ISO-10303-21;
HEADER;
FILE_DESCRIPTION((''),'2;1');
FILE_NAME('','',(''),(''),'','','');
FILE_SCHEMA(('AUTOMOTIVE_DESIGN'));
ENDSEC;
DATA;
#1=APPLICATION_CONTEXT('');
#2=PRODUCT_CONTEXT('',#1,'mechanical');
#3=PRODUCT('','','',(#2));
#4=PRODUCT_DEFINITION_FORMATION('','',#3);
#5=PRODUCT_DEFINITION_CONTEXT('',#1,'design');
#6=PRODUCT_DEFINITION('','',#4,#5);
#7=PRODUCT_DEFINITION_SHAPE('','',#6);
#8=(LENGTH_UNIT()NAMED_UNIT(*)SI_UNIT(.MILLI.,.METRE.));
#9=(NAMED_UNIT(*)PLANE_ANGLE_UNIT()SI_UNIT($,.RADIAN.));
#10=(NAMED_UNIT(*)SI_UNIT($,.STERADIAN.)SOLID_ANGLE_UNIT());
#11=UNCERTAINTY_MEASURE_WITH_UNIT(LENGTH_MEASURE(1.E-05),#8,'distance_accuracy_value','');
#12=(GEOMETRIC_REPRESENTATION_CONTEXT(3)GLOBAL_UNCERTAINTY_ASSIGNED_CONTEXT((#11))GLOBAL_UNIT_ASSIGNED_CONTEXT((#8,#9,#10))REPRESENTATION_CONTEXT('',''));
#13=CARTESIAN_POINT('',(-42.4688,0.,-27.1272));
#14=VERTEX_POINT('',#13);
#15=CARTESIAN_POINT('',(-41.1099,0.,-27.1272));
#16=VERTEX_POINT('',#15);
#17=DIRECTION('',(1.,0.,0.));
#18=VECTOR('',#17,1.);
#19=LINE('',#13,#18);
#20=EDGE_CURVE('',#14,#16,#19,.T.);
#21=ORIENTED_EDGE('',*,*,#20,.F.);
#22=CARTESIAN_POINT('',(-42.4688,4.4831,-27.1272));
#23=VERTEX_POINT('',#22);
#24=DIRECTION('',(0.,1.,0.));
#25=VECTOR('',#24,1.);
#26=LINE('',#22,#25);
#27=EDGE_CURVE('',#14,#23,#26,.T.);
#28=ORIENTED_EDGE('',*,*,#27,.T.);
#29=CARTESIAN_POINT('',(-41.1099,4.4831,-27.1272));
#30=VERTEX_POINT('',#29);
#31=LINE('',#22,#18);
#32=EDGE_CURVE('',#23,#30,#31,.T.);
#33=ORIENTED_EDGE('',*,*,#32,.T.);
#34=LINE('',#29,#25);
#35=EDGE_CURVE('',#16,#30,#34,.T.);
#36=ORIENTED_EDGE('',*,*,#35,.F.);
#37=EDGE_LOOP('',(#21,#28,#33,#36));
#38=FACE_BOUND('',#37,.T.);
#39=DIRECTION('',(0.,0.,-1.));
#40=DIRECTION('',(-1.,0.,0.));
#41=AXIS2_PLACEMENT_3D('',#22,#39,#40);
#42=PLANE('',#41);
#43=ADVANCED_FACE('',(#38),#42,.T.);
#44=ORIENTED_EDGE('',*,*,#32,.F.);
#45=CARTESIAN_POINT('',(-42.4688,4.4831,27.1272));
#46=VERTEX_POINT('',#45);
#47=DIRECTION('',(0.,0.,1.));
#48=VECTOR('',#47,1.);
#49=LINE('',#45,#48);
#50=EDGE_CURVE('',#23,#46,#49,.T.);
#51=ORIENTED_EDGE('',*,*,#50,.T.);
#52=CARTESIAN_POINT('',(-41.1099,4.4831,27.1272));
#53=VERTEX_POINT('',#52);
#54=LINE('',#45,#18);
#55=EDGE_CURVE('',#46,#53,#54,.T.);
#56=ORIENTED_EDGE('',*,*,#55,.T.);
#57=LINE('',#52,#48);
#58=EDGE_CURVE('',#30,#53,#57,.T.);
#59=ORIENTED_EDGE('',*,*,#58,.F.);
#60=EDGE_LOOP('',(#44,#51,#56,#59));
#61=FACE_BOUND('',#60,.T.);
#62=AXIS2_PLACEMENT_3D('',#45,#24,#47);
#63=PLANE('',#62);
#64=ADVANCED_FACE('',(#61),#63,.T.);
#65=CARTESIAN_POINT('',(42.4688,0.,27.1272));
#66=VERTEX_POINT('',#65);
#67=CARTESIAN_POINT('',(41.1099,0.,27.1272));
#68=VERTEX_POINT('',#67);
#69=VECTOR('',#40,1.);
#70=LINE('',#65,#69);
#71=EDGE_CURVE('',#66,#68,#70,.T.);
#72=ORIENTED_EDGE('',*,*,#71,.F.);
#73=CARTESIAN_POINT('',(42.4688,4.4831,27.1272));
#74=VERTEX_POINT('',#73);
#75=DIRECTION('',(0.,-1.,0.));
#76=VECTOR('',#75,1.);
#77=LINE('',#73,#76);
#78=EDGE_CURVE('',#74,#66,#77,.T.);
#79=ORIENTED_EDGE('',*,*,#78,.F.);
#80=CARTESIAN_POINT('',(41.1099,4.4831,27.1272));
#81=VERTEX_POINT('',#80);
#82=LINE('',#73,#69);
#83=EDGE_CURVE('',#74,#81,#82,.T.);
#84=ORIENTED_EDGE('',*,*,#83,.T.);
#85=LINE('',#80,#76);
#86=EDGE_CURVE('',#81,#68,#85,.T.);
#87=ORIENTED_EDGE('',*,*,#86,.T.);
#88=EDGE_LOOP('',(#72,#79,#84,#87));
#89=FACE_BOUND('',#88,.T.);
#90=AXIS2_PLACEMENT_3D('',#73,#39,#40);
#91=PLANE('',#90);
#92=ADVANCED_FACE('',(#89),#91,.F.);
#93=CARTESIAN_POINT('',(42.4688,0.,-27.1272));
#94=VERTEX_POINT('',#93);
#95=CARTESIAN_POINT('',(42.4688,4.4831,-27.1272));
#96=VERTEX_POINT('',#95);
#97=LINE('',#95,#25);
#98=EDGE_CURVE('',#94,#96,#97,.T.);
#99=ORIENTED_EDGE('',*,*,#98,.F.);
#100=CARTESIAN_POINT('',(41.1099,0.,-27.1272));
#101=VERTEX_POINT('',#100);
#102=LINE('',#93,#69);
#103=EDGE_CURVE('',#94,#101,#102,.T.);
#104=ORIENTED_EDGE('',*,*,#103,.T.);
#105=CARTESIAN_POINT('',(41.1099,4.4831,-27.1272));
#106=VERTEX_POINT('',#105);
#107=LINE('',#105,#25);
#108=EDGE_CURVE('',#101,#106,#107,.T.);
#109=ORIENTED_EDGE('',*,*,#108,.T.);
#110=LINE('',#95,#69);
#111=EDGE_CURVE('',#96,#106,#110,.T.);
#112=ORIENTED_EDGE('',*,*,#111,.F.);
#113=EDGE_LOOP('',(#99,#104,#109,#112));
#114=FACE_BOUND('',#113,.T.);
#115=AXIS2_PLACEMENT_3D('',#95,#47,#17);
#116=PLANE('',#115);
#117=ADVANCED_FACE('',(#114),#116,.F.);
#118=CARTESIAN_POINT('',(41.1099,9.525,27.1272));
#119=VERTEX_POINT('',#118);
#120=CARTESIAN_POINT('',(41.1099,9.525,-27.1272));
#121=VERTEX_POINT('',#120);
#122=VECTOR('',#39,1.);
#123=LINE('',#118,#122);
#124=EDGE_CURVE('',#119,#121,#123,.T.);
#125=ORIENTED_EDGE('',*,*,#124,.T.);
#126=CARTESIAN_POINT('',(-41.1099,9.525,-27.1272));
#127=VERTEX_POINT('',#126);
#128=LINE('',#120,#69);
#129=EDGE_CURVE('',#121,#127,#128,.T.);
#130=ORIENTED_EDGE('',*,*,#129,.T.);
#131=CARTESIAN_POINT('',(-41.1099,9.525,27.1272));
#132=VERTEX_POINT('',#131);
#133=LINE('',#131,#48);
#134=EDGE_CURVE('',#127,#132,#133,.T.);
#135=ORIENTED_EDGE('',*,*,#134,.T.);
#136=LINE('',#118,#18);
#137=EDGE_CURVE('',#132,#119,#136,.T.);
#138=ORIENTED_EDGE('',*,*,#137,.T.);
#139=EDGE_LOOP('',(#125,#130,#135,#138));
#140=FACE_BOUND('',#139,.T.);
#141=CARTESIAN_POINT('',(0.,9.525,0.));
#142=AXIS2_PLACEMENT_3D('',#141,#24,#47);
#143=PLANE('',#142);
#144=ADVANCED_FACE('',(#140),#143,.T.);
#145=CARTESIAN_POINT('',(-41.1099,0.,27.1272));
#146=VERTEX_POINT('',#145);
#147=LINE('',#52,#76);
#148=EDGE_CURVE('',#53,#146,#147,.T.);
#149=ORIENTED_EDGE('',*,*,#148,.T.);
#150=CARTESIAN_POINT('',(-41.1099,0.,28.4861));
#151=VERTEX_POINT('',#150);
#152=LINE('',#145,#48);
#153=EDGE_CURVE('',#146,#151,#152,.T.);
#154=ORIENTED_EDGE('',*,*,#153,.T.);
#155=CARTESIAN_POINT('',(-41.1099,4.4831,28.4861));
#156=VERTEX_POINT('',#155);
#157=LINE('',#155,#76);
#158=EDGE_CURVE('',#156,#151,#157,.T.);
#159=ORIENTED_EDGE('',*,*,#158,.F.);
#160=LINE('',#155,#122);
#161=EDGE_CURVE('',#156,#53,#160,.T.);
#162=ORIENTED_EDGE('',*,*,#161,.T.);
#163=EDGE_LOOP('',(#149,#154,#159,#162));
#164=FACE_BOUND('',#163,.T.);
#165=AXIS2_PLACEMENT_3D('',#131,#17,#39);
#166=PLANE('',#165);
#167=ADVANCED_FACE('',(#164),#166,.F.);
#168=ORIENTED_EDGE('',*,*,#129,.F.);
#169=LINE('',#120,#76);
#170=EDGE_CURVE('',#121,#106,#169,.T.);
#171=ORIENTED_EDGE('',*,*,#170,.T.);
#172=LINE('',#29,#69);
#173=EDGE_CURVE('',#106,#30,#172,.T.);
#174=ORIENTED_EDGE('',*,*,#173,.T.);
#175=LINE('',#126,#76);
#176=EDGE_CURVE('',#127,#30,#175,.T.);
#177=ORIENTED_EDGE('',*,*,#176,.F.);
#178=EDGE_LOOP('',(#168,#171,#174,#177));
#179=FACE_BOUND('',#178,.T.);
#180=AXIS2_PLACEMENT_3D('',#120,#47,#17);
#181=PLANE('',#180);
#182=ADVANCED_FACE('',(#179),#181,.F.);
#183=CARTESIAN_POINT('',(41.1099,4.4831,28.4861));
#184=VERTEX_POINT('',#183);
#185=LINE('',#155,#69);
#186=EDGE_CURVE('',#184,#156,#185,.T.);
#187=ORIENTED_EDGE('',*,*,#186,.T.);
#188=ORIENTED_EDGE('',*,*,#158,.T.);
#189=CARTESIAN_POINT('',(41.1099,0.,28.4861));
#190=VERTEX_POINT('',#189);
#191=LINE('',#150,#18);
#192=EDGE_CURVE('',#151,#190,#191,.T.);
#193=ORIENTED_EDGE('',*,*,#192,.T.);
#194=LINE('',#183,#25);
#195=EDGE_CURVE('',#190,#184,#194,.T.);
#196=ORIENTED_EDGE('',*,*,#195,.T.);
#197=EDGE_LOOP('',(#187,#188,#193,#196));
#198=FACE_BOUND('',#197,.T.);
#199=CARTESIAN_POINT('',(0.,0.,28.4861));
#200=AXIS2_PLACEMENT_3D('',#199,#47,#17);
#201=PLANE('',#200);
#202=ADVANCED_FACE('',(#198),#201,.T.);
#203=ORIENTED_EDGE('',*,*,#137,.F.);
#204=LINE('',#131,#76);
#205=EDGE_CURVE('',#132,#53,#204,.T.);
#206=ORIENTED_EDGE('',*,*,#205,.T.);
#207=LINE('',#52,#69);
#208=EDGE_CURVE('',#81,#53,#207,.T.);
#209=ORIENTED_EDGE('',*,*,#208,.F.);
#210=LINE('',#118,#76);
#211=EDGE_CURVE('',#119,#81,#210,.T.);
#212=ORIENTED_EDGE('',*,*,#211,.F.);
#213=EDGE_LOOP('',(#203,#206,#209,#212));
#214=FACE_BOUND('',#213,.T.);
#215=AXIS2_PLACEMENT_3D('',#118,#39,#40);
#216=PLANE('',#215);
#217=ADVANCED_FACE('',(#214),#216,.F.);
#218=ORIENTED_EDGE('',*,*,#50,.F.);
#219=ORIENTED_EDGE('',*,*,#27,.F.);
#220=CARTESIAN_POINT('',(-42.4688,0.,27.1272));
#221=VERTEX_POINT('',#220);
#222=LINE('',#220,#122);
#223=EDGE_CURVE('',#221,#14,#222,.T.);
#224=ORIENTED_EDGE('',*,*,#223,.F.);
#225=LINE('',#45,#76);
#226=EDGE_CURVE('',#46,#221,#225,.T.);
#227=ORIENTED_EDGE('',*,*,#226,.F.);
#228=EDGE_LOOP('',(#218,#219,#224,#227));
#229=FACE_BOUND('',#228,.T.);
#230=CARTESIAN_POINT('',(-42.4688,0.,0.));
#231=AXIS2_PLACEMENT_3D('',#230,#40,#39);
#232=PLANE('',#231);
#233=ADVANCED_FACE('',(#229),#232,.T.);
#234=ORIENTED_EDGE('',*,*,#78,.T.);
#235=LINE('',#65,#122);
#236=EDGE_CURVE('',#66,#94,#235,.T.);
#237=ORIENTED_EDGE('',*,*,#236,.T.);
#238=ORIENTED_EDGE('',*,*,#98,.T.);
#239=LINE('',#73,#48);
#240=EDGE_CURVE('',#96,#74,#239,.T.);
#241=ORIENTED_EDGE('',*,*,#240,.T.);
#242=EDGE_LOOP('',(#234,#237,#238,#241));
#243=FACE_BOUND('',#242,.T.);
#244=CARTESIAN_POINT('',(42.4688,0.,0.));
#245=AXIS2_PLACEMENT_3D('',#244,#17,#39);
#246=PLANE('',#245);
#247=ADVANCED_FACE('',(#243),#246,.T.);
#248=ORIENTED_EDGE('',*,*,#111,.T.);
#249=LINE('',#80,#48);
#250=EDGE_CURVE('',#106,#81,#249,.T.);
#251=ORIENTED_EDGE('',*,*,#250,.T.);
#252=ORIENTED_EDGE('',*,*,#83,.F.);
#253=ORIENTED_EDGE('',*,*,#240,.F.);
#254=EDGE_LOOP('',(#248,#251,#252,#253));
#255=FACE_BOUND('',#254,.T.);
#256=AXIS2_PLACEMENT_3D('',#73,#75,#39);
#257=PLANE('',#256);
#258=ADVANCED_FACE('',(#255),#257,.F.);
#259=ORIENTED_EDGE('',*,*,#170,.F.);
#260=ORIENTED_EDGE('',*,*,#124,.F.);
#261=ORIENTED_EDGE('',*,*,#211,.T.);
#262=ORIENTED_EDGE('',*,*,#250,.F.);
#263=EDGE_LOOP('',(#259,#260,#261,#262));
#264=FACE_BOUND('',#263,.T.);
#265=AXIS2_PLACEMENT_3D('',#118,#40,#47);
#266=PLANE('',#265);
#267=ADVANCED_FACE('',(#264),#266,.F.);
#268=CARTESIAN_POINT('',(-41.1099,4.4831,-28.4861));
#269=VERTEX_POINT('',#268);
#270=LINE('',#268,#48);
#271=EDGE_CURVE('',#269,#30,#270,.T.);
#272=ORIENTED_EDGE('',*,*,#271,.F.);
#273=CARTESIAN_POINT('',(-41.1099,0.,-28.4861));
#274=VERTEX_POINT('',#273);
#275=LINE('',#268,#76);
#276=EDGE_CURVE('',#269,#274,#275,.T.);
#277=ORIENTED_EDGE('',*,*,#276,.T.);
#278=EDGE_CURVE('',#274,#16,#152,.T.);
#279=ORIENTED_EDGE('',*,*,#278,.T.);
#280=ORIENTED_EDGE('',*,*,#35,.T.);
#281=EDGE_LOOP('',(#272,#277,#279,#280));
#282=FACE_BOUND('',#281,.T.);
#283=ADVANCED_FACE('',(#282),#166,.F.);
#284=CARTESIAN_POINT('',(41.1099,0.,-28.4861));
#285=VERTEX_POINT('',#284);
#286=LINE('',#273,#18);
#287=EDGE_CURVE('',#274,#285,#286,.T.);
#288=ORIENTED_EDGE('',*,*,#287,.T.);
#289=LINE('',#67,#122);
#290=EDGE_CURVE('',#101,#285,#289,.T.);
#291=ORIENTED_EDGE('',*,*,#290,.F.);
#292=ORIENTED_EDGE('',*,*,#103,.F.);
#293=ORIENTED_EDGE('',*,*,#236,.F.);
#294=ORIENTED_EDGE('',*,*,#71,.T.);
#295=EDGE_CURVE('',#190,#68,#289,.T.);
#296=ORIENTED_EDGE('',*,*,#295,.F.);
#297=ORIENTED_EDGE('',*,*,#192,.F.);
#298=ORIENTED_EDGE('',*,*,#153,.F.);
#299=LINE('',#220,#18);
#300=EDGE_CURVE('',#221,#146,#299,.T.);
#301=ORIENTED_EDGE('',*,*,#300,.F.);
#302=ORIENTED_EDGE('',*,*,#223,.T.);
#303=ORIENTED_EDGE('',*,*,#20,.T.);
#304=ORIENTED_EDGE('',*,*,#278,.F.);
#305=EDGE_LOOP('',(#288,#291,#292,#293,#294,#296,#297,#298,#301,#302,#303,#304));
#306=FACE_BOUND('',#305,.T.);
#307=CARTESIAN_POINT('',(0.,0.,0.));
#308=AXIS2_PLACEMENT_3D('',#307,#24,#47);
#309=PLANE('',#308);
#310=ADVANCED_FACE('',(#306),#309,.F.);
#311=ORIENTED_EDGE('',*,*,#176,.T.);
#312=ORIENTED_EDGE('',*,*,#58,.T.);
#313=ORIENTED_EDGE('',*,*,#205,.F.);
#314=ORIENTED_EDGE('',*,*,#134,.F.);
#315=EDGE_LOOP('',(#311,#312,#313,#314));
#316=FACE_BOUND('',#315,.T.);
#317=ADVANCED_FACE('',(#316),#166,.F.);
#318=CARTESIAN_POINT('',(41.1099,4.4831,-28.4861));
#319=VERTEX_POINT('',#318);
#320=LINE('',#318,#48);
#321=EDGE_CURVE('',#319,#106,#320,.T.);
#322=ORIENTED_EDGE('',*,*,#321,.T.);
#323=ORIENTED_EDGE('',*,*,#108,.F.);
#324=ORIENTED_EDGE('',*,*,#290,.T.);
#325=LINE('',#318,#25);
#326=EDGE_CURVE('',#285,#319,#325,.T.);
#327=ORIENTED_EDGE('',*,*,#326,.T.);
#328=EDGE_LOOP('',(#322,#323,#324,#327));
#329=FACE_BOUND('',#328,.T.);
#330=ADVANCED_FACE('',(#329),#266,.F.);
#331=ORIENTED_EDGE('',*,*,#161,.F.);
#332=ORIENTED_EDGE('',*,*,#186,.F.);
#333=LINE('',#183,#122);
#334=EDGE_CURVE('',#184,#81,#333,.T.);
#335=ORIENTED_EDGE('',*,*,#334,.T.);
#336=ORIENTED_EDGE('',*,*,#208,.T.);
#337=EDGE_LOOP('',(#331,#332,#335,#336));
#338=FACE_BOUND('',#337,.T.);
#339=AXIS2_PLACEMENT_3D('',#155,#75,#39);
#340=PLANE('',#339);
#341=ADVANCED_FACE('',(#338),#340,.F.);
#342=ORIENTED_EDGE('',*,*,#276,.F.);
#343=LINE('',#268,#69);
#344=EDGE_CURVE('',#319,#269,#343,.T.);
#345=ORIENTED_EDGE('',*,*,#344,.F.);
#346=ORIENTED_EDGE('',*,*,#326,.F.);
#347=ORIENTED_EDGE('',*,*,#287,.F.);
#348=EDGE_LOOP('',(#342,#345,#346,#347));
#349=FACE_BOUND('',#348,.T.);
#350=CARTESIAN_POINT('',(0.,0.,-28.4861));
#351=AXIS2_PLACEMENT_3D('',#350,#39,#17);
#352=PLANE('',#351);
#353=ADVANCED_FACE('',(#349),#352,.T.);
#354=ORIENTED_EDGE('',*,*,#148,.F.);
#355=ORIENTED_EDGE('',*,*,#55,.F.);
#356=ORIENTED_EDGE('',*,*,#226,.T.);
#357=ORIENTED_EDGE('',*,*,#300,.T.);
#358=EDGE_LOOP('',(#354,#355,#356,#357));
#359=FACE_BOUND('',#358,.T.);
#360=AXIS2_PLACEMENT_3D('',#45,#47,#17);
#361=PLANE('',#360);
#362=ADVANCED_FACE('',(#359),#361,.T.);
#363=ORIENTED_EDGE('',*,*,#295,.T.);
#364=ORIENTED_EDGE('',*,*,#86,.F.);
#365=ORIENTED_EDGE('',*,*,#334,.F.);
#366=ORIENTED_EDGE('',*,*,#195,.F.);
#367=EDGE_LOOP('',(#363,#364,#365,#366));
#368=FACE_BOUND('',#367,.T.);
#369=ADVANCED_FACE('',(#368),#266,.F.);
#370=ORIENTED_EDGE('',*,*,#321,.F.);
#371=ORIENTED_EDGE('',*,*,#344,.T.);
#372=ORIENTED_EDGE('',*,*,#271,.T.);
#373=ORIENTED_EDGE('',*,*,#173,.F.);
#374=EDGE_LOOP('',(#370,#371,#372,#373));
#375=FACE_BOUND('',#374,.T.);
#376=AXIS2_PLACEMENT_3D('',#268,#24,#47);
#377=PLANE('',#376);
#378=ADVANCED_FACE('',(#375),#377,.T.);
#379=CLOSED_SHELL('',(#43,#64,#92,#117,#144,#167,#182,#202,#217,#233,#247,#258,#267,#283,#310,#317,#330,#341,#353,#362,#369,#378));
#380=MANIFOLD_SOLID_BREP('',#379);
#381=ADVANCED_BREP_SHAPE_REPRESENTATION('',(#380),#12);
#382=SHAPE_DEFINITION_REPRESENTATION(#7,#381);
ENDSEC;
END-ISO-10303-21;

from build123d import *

# Parameters (mm, degrees)
SKETCH1_W           = 82.2198
SKETCH1_H           = 54.2544
BOSS_EXTRUDE1_DEPTH = 9.525
SKETCH2_W           = 82.2198
SKETCH2_H           = 4.4831
BOSS_EXTRUDE2_DEPTH = 1.3589
SKETCH3_W           = 54.2544
SKETCH3_H           = 4.4831
BOSS_EXTRUDE3_DEPTH = 1.3589


with BuildPart() as part:
    # Sketch1 → Boss-Extrude1 (new body)
    with BuildSketch(Plane(origin=(0, 0, 0), x_dir=(1, 0, 0), z_dir=(0, 1, 0))):
        Rectangle(SKETCH1_W, SKETCH1_H)
    extrude(amount=BOSS_EXTRUDE1_DEPTH)

    # Sketch2 → Boss-Extrude2 (add)
    with BuildSketch(Plane.XY.offset(27.1272)):
        with Locations((0, 2.24155)):
            Rectangle(SKETCH2_W, SKETCH2_H)
    boss_extrude2 = extrude(amount=BOSS_EXTRUDE2_DEPTH)

    # Mirror1: Boss-Extrude2 across plane
    add(boss_extrude2.mirror(Plane.XY))

    # Sketch3 → Boss-Extrude3 (add)
    with BuildSketch(Plane(origin=(41.1099, 0, 0), x_dir=(0, 0, -1), z_dir=(1, 0, 0))):
        with Locations((0, 2.24155)):
            Rectangle(SKETCH3_W, SKETCH3_H)
    boss_extrude3 = extrude(amount=BOSS_EXTRUDE3_DEPTH)

    # Mirror2: Boss-Extrude3 across plane
    add(boss_extrude3.mirror(Plane(origin=(0, 0, 0), x_dir=(0, 0, 1), z_dir=(1, 0, 0))))


solid = part.part
